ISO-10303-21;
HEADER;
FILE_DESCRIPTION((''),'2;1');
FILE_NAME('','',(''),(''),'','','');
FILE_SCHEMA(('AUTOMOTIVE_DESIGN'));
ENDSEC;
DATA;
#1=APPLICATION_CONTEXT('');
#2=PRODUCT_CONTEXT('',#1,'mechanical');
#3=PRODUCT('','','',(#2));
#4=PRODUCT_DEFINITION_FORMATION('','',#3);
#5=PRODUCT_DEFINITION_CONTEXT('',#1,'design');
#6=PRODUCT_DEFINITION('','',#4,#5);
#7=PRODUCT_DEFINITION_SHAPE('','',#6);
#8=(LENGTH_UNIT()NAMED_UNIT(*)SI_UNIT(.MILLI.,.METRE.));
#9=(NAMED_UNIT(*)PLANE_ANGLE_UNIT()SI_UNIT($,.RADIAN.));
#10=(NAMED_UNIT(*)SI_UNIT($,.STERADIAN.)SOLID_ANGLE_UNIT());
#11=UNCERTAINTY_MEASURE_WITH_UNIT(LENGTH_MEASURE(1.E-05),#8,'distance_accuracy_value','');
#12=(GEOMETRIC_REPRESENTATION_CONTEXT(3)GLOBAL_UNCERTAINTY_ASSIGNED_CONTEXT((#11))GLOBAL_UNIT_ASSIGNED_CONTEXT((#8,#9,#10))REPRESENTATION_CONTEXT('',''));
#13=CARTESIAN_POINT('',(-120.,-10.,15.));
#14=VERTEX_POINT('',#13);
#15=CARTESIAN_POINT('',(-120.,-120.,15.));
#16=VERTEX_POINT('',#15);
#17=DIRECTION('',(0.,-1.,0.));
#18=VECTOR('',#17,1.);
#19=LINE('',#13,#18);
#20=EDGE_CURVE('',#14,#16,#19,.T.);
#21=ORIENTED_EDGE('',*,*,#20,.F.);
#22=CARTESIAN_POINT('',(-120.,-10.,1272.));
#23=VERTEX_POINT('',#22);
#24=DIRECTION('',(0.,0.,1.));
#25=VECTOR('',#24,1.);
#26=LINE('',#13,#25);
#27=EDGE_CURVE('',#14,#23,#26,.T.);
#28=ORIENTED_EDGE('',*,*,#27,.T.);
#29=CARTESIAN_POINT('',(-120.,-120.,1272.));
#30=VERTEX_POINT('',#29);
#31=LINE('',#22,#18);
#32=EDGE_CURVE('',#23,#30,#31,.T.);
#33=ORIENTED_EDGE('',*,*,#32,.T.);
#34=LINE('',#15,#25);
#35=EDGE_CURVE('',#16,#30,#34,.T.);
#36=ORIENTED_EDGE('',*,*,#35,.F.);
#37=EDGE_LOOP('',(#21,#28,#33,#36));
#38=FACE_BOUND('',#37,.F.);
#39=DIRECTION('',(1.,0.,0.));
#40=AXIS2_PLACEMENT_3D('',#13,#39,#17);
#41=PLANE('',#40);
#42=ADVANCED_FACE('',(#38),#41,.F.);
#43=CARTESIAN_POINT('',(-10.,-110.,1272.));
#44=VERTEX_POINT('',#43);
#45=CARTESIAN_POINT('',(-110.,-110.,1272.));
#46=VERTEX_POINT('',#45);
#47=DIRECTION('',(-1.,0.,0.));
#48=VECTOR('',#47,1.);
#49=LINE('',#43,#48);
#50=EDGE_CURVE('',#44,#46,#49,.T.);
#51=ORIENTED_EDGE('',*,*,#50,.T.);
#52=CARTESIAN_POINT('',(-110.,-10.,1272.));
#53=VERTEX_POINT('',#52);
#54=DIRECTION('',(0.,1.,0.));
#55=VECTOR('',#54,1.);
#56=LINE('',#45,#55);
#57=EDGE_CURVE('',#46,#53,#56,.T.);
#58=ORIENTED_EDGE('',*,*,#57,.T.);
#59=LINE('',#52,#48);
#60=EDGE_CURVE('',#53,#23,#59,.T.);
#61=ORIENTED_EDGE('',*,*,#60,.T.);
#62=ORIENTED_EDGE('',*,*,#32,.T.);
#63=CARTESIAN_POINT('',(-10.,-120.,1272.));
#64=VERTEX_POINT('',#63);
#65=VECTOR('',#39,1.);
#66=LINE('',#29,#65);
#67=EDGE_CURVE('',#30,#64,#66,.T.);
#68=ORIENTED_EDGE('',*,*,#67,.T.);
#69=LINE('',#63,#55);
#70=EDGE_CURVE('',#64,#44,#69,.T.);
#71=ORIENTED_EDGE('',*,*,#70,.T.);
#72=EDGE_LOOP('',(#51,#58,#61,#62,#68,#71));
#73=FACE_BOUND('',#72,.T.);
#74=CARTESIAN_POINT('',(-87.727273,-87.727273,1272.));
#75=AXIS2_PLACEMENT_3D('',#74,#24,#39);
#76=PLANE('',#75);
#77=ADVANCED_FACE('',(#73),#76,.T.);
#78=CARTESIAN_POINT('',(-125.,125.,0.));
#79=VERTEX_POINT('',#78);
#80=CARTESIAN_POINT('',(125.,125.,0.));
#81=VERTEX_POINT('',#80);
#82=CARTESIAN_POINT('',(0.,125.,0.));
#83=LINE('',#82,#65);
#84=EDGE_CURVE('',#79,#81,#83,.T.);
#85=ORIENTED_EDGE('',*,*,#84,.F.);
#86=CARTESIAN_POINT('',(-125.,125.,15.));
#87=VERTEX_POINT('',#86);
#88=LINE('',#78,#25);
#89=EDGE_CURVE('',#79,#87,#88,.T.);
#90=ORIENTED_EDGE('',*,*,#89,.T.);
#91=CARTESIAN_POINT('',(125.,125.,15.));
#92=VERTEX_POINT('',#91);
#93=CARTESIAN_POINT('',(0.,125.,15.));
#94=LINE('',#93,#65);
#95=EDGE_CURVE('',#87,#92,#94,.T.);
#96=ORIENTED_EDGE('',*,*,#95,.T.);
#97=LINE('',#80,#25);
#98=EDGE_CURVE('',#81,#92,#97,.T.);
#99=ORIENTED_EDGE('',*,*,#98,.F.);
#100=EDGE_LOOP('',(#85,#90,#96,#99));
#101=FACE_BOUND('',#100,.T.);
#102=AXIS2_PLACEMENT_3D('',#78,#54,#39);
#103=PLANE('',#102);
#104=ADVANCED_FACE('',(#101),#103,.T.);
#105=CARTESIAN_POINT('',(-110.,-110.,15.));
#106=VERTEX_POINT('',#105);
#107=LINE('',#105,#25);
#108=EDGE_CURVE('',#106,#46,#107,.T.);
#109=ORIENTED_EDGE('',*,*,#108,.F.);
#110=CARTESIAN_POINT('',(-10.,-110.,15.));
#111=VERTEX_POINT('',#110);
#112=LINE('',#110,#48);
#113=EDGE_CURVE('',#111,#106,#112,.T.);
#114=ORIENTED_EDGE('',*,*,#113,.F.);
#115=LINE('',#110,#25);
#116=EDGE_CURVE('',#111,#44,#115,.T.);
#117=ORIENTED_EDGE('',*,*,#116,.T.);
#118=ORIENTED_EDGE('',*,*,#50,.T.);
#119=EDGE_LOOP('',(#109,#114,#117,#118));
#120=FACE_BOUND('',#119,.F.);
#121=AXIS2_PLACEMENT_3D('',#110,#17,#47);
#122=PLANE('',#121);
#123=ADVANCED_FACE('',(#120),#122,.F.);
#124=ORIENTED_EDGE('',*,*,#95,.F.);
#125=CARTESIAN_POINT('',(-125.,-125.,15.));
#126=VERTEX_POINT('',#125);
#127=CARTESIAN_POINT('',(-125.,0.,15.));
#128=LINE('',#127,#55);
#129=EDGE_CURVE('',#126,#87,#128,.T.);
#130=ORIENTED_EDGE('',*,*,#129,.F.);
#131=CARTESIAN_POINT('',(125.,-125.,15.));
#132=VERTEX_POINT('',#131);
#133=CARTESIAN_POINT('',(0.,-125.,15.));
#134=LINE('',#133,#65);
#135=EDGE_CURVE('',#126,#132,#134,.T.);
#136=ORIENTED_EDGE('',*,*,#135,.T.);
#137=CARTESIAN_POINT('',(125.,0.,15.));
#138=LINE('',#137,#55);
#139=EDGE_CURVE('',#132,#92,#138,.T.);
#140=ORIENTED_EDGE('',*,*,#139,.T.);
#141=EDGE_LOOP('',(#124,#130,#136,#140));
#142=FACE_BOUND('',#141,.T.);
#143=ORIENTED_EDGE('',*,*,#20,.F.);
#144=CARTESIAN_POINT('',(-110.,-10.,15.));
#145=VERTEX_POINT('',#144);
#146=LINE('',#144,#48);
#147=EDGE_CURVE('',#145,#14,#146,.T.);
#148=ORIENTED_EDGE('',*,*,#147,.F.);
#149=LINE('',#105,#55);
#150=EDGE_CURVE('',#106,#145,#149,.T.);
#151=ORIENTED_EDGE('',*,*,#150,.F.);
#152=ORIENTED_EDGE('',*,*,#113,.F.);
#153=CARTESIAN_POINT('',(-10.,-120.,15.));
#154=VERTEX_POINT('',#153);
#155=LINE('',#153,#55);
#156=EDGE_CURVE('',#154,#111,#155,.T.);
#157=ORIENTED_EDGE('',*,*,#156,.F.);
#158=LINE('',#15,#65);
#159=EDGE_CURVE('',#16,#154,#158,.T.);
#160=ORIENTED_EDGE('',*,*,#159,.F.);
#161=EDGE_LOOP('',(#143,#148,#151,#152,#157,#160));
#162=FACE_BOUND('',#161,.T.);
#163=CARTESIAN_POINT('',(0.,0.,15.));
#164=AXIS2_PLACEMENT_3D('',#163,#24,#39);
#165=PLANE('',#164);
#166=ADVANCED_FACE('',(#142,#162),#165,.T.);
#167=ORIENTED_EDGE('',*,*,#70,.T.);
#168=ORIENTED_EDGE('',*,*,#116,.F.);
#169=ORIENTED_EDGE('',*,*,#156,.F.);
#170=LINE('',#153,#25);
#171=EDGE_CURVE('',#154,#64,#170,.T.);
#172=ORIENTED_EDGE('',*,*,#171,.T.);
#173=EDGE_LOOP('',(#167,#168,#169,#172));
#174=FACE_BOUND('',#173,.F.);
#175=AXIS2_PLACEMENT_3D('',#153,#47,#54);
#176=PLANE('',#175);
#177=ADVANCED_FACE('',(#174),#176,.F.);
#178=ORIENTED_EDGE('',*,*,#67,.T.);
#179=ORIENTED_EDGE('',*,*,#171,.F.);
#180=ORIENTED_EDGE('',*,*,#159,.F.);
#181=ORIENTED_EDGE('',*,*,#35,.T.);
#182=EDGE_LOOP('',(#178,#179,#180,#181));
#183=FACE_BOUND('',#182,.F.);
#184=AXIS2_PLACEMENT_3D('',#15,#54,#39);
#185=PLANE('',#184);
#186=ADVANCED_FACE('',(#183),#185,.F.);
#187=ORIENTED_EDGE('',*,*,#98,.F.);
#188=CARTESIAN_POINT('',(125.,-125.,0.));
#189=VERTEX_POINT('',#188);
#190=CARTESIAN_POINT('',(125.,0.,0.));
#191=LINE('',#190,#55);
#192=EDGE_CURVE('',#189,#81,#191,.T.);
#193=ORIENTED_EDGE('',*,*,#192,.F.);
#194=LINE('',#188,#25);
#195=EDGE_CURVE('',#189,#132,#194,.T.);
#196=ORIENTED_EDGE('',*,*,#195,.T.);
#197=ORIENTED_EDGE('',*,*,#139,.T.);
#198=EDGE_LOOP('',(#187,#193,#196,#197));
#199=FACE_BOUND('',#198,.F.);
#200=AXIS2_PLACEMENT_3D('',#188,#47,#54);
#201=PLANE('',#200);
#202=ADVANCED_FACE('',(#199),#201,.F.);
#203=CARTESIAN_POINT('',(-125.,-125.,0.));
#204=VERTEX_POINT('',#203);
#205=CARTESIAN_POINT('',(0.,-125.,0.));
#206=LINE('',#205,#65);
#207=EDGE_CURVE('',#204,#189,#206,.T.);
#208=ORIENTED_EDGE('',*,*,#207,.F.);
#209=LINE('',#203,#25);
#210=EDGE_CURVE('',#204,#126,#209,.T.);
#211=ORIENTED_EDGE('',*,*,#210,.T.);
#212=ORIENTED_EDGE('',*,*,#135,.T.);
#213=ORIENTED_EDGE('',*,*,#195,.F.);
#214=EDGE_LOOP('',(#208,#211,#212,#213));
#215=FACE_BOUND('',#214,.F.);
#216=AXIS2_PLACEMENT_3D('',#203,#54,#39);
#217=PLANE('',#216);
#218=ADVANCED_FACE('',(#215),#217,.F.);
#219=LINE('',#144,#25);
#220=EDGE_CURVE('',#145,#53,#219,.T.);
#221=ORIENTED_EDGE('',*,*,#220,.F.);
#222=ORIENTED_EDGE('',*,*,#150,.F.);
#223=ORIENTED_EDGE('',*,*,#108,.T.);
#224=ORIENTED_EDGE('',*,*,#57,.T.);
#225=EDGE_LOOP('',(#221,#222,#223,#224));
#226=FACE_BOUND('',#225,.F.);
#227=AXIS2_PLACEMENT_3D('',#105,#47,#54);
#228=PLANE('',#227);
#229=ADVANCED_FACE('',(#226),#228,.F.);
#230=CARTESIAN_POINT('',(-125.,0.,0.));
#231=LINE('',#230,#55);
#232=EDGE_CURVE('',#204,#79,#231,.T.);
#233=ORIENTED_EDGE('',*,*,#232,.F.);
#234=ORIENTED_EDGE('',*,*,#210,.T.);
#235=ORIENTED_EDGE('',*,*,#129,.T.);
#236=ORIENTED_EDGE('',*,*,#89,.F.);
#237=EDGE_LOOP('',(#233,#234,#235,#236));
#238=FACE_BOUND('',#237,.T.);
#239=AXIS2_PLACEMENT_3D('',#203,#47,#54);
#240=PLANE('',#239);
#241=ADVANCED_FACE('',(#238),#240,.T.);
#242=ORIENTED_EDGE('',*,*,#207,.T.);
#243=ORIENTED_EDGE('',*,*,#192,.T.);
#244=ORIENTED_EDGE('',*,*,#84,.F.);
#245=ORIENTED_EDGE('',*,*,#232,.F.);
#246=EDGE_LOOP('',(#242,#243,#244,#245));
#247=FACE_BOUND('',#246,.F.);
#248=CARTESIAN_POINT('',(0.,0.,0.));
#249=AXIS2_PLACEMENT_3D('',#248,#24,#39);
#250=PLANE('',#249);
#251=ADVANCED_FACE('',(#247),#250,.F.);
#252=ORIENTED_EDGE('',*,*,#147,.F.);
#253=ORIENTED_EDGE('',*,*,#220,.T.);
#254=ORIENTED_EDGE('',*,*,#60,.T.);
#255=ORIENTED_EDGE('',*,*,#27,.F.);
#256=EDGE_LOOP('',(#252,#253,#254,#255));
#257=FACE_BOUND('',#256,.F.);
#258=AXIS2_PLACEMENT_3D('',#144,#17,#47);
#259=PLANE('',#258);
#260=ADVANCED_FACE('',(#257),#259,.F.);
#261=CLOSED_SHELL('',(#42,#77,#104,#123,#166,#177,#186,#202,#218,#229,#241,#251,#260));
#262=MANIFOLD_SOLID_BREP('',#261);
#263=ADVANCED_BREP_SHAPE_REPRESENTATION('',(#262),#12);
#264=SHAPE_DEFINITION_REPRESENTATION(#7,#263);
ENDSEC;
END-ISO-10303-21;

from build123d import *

# Parameters (mm, degrees)
F0_W     = 250
F0_H     = 250
F1_DEPTH = 15
F3_DEPTH = 1257


with BuildPart() as f1:
    # F0 (on Top) → F1 (new body)
    with BuildSketch(Plane.XY):
        Rectangle(F0_W, F0_H)
    extrude(amount=F1_DEPTH)

    # F2 (on face) → F3 (join)
    with BuildSketch(Plane.XY.offset(15)):
        Polygon((-110, -10), (-120, -10), (-120, -110), (-120, -120), (-110, -120), (-10, -120), (-10, -110), (-110, -110), align=None)
    extrude(amount=F3_DEPTH)


solid = f1.part
